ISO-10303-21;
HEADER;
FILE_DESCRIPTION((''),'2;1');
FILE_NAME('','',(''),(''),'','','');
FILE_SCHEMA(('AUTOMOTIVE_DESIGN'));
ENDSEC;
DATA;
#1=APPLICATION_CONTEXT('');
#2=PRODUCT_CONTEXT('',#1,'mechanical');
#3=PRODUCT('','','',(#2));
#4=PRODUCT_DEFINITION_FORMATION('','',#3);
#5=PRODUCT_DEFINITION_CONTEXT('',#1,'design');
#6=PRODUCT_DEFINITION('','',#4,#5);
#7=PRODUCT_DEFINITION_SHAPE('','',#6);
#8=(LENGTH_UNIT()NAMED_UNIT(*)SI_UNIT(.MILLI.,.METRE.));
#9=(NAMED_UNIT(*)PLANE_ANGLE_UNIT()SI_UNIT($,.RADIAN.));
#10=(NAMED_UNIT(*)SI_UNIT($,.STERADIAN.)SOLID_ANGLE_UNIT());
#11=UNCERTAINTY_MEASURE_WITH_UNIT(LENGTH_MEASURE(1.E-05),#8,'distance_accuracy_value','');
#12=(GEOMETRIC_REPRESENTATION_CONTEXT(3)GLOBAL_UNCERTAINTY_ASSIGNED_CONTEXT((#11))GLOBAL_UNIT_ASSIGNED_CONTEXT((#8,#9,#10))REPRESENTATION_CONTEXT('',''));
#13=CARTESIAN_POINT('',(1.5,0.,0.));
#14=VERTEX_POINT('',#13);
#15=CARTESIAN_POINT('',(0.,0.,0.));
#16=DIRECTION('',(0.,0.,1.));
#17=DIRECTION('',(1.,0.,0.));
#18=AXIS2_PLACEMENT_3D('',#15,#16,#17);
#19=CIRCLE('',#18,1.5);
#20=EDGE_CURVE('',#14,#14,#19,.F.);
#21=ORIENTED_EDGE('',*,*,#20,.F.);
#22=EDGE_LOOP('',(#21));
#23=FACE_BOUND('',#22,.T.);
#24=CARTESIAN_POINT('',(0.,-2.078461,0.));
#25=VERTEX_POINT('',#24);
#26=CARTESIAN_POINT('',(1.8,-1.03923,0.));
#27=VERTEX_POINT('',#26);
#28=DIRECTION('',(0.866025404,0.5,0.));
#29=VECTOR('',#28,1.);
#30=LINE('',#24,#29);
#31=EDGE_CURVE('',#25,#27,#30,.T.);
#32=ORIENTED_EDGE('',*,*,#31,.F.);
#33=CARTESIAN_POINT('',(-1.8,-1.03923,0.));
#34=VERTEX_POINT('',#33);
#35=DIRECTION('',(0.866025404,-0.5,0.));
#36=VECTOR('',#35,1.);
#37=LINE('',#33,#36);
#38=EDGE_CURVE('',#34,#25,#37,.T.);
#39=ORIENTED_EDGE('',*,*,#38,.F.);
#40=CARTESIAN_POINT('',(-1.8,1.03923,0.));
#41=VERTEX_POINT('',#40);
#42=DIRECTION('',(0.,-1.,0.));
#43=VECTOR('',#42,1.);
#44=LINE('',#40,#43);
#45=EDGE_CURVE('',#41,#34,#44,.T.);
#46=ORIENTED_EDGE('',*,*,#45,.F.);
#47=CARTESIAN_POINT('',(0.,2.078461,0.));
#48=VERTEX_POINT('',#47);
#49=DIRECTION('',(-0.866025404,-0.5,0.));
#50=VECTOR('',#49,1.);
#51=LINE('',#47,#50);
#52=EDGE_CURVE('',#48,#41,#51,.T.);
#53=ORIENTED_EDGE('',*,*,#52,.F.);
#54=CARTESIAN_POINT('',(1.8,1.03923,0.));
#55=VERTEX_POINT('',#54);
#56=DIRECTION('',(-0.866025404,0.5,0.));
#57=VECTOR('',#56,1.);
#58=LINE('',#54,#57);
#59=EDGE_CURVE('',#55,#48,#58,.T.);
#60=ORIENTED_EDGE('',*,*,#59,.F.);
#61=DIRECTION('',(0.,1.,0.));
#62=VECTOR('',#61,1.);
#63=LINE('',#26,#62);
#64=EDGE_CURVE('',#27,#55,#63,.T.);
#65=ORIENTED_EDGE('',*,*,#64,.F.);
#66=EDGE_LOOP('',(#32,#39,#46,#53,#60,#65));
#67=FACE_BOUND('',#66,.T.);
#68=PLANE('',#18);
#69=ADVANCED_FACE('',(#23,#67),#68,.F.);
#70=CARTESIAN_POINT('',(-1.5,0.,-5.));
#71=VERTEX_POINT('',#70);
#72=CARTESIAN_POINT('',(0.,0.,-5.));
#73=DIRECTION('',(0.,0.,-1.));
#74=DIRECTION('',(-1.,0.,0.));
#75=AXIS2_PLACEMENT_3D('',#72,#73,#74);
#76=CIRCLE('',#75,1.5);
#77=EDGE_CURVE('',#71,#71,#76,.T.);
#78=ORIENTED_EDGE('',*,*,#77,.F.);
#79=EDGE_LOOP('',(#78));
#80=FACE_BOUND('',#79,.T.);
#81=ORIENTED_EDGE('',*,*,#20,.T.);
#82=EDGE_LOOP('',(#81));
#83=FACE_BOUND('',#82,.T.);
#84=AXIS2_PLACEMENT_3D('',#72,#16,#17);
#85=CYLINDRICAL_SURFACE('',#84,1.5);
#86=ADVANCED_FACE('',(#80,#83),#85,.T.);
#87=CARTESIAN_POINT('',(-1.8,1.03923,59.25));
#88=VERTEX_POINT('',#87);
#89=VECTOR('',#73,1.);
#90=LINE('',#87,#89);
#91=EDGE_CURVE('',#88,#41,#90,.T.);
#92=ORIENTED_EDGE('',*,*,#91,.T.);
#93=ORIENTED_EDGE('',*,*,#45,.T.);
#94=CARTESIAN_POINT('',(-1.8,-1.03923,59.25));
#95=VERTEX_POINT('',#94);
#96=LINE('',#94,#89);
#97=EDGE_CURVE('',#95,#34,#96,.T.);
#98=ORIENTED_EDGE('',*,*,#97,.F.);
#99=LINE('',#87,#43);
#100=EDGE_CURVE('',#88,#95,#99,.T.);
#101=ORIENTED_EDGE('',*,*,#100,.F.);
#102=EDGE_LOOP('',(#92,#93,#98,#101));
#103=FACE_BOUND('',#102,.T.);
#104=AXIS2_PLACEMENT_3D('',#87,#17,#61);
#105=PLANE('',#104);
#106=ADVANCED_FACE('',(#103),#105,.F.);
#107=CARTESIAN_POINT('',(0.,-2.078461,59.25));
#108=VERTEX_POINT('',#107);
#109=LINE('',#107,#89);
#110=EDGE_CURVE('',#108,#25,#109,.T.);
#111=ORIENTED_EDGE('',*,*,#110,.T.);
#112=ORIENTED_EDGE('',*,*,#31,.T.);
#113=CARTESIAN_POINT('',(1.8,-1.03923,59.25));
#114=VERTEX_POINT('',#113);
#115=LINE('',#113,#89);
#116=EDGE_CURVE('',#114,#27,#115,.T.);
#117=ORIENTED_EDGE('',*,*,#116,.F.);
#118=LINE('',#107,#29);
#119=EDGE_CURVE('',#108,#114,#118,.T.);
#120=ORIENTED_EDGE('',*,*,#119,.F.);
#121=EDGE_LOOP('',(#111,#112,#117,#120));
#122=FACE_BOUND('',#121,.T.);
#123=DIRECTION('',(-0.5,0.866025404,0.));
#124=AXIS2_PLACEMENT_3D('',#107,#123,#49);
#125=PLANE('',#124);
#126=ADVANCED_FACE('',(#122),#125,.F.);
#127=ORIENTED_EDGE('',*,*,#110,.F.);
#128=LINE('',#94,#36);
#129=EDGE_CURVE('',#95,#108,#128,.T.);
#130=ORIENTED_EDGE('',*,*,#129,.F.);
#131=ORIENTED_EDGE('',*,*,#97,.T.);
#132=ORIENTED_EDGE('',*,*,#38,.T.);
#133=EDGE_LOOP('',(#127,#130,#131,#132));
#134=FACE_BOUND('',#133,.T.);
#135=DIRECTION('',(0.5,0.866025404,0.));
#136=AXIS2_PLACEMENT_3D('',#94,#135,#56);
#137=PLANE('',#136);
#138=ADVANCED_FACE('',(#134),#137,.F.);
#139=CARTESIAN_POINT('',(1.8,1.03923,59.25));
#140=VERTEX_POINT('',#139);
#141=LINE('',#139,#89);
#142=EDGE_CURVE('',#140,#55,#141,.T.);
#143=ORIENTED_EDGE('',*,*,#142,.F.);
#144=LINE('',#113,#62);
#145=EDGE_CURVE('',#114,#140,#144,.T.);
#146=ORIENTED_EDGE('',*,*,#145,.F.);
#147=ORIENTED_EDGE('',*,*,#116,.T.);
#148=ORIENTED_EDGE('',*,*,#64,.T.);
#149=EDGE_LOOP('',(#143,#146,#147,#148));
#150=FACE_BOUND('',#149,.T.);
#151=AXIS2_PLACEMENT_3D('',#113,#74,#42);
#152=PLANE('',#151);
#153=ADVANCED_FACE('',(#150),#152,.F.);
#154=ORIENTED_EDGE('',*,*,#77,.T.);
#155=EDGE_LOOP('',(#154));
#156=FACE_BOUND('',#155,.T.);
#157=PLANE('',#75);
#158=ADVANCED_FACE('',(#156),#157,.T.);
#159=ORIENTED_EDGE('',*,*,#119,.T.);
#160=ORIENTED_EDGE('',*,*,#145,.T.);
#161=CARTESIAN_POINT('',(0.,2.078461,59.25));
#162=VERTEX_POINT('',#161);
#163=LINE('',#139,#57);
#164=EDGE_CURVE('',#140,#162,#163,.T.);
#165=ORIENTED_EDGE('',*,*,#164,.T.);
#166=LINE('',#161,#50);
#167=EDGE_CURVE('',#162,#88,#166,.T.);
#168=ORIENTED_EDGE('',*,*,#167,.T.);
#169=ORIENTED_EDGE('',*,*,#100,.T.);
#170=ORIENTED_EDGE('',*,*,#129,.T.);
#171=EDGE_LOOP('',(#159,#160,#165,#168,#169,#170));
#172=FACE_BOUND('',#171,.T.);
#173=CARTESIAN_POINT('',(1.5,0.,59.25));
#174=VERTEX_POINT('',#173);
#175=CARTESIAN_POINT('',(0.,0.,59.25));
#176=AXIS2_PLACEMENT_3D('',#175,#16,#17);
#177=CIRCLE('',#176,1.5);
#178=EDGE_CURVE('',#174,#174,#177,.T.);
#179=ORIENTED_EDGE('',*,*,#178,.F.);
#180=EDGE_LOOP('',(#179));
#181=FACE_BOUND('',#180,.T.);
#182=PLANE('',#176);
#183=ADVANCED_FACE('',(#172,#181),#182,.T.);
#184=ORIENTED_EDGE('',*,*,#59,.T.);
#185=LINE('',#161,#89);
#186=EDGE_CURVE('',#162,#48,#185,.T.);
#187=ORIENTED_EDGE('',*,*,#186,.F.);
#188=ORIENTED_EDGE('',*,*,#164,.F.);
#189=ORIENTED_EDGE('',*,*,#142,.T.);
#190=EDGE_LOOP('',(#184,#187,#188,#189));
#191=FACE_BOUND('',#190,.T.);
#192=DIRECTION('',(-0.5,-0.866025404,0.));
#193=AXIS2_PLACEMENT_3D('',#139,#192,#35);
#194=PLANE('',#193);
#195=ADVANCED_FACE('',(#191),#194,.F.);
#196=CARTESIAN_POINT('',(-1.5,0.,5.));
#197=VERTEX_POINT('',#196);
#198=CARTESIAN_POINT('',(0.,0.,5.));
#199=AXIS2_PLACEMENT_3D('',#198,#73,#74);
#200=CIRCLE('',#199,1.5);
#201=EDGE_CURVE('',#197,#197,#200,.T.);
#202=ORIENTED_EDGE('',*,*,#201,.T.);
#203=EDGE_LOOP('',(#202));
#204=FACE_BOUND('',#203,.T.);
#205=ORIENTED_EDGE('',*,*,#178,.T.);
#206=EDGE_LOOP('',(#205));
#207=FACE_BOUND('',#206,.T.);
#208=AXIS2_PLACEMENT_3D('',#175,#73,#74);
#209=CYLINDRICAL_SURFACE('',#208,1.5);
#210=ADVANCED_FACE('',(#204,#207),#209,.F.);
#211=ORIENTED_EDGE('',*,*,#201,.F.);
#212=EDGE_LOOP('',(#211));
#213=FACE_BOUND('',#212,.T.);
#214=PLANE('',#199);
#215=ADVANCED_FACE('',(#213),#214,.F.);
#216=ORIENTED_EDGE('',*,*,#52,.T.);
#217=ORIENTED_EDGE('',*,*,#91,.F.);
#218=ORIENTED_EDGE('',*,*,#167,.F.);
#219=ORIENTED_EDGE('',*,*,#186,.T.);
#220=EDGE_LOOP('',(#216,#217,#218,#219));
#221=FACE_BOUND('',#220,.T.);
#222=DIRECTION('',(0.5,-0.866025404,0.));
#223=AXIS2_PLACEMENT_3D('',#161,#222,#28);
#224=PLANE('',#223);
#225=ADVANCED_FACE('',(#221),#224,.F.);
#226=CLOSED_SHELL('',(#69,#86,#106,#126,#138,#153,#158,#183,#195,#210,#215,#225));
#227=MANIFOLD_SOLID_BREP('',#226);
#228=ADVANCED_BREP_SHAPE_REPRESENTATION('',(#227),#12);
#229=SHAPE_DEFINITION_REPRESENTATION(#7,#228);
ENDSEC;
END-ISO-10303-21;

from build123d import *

# Parameters (mm, degrees)
SKETCH_1_R      = 1.5
EXTRUDE_1_DEPTH = 59.25
SKETCH_2_R      = 1.5
EXTRUDE_2_DEPTH = 5


with BuildPart() as part:
    # 草图1 → 凸台-拉伸1 (new body)
    with BuildSketch(Plane.XY):
        Polygon((0, 2.078460969), (-1.8, 1.039230485), (-1.8, -1.039230485), (0, -2.078460969), (1.8, -1.039230485), (1.8, 1.039230485), align=None)
        Circle(SKETCH_1_R, mode=Mode.SUBTRACT)
    extrude(amount=EXTRUDE_1_DEPTH)

    # 草图2 → 凸台-拉伸2 (add, symmetric)
    with BuildSketch(Plane(origin=(0, 0, 0), x_dir=(-1, 0, 0), z_dir=(0, 0, -1))):
        Circle(SKETCH_2_R)
    extrude(amount=EXTRUDE_2_DEPTH, both=True)


solid = part.part
